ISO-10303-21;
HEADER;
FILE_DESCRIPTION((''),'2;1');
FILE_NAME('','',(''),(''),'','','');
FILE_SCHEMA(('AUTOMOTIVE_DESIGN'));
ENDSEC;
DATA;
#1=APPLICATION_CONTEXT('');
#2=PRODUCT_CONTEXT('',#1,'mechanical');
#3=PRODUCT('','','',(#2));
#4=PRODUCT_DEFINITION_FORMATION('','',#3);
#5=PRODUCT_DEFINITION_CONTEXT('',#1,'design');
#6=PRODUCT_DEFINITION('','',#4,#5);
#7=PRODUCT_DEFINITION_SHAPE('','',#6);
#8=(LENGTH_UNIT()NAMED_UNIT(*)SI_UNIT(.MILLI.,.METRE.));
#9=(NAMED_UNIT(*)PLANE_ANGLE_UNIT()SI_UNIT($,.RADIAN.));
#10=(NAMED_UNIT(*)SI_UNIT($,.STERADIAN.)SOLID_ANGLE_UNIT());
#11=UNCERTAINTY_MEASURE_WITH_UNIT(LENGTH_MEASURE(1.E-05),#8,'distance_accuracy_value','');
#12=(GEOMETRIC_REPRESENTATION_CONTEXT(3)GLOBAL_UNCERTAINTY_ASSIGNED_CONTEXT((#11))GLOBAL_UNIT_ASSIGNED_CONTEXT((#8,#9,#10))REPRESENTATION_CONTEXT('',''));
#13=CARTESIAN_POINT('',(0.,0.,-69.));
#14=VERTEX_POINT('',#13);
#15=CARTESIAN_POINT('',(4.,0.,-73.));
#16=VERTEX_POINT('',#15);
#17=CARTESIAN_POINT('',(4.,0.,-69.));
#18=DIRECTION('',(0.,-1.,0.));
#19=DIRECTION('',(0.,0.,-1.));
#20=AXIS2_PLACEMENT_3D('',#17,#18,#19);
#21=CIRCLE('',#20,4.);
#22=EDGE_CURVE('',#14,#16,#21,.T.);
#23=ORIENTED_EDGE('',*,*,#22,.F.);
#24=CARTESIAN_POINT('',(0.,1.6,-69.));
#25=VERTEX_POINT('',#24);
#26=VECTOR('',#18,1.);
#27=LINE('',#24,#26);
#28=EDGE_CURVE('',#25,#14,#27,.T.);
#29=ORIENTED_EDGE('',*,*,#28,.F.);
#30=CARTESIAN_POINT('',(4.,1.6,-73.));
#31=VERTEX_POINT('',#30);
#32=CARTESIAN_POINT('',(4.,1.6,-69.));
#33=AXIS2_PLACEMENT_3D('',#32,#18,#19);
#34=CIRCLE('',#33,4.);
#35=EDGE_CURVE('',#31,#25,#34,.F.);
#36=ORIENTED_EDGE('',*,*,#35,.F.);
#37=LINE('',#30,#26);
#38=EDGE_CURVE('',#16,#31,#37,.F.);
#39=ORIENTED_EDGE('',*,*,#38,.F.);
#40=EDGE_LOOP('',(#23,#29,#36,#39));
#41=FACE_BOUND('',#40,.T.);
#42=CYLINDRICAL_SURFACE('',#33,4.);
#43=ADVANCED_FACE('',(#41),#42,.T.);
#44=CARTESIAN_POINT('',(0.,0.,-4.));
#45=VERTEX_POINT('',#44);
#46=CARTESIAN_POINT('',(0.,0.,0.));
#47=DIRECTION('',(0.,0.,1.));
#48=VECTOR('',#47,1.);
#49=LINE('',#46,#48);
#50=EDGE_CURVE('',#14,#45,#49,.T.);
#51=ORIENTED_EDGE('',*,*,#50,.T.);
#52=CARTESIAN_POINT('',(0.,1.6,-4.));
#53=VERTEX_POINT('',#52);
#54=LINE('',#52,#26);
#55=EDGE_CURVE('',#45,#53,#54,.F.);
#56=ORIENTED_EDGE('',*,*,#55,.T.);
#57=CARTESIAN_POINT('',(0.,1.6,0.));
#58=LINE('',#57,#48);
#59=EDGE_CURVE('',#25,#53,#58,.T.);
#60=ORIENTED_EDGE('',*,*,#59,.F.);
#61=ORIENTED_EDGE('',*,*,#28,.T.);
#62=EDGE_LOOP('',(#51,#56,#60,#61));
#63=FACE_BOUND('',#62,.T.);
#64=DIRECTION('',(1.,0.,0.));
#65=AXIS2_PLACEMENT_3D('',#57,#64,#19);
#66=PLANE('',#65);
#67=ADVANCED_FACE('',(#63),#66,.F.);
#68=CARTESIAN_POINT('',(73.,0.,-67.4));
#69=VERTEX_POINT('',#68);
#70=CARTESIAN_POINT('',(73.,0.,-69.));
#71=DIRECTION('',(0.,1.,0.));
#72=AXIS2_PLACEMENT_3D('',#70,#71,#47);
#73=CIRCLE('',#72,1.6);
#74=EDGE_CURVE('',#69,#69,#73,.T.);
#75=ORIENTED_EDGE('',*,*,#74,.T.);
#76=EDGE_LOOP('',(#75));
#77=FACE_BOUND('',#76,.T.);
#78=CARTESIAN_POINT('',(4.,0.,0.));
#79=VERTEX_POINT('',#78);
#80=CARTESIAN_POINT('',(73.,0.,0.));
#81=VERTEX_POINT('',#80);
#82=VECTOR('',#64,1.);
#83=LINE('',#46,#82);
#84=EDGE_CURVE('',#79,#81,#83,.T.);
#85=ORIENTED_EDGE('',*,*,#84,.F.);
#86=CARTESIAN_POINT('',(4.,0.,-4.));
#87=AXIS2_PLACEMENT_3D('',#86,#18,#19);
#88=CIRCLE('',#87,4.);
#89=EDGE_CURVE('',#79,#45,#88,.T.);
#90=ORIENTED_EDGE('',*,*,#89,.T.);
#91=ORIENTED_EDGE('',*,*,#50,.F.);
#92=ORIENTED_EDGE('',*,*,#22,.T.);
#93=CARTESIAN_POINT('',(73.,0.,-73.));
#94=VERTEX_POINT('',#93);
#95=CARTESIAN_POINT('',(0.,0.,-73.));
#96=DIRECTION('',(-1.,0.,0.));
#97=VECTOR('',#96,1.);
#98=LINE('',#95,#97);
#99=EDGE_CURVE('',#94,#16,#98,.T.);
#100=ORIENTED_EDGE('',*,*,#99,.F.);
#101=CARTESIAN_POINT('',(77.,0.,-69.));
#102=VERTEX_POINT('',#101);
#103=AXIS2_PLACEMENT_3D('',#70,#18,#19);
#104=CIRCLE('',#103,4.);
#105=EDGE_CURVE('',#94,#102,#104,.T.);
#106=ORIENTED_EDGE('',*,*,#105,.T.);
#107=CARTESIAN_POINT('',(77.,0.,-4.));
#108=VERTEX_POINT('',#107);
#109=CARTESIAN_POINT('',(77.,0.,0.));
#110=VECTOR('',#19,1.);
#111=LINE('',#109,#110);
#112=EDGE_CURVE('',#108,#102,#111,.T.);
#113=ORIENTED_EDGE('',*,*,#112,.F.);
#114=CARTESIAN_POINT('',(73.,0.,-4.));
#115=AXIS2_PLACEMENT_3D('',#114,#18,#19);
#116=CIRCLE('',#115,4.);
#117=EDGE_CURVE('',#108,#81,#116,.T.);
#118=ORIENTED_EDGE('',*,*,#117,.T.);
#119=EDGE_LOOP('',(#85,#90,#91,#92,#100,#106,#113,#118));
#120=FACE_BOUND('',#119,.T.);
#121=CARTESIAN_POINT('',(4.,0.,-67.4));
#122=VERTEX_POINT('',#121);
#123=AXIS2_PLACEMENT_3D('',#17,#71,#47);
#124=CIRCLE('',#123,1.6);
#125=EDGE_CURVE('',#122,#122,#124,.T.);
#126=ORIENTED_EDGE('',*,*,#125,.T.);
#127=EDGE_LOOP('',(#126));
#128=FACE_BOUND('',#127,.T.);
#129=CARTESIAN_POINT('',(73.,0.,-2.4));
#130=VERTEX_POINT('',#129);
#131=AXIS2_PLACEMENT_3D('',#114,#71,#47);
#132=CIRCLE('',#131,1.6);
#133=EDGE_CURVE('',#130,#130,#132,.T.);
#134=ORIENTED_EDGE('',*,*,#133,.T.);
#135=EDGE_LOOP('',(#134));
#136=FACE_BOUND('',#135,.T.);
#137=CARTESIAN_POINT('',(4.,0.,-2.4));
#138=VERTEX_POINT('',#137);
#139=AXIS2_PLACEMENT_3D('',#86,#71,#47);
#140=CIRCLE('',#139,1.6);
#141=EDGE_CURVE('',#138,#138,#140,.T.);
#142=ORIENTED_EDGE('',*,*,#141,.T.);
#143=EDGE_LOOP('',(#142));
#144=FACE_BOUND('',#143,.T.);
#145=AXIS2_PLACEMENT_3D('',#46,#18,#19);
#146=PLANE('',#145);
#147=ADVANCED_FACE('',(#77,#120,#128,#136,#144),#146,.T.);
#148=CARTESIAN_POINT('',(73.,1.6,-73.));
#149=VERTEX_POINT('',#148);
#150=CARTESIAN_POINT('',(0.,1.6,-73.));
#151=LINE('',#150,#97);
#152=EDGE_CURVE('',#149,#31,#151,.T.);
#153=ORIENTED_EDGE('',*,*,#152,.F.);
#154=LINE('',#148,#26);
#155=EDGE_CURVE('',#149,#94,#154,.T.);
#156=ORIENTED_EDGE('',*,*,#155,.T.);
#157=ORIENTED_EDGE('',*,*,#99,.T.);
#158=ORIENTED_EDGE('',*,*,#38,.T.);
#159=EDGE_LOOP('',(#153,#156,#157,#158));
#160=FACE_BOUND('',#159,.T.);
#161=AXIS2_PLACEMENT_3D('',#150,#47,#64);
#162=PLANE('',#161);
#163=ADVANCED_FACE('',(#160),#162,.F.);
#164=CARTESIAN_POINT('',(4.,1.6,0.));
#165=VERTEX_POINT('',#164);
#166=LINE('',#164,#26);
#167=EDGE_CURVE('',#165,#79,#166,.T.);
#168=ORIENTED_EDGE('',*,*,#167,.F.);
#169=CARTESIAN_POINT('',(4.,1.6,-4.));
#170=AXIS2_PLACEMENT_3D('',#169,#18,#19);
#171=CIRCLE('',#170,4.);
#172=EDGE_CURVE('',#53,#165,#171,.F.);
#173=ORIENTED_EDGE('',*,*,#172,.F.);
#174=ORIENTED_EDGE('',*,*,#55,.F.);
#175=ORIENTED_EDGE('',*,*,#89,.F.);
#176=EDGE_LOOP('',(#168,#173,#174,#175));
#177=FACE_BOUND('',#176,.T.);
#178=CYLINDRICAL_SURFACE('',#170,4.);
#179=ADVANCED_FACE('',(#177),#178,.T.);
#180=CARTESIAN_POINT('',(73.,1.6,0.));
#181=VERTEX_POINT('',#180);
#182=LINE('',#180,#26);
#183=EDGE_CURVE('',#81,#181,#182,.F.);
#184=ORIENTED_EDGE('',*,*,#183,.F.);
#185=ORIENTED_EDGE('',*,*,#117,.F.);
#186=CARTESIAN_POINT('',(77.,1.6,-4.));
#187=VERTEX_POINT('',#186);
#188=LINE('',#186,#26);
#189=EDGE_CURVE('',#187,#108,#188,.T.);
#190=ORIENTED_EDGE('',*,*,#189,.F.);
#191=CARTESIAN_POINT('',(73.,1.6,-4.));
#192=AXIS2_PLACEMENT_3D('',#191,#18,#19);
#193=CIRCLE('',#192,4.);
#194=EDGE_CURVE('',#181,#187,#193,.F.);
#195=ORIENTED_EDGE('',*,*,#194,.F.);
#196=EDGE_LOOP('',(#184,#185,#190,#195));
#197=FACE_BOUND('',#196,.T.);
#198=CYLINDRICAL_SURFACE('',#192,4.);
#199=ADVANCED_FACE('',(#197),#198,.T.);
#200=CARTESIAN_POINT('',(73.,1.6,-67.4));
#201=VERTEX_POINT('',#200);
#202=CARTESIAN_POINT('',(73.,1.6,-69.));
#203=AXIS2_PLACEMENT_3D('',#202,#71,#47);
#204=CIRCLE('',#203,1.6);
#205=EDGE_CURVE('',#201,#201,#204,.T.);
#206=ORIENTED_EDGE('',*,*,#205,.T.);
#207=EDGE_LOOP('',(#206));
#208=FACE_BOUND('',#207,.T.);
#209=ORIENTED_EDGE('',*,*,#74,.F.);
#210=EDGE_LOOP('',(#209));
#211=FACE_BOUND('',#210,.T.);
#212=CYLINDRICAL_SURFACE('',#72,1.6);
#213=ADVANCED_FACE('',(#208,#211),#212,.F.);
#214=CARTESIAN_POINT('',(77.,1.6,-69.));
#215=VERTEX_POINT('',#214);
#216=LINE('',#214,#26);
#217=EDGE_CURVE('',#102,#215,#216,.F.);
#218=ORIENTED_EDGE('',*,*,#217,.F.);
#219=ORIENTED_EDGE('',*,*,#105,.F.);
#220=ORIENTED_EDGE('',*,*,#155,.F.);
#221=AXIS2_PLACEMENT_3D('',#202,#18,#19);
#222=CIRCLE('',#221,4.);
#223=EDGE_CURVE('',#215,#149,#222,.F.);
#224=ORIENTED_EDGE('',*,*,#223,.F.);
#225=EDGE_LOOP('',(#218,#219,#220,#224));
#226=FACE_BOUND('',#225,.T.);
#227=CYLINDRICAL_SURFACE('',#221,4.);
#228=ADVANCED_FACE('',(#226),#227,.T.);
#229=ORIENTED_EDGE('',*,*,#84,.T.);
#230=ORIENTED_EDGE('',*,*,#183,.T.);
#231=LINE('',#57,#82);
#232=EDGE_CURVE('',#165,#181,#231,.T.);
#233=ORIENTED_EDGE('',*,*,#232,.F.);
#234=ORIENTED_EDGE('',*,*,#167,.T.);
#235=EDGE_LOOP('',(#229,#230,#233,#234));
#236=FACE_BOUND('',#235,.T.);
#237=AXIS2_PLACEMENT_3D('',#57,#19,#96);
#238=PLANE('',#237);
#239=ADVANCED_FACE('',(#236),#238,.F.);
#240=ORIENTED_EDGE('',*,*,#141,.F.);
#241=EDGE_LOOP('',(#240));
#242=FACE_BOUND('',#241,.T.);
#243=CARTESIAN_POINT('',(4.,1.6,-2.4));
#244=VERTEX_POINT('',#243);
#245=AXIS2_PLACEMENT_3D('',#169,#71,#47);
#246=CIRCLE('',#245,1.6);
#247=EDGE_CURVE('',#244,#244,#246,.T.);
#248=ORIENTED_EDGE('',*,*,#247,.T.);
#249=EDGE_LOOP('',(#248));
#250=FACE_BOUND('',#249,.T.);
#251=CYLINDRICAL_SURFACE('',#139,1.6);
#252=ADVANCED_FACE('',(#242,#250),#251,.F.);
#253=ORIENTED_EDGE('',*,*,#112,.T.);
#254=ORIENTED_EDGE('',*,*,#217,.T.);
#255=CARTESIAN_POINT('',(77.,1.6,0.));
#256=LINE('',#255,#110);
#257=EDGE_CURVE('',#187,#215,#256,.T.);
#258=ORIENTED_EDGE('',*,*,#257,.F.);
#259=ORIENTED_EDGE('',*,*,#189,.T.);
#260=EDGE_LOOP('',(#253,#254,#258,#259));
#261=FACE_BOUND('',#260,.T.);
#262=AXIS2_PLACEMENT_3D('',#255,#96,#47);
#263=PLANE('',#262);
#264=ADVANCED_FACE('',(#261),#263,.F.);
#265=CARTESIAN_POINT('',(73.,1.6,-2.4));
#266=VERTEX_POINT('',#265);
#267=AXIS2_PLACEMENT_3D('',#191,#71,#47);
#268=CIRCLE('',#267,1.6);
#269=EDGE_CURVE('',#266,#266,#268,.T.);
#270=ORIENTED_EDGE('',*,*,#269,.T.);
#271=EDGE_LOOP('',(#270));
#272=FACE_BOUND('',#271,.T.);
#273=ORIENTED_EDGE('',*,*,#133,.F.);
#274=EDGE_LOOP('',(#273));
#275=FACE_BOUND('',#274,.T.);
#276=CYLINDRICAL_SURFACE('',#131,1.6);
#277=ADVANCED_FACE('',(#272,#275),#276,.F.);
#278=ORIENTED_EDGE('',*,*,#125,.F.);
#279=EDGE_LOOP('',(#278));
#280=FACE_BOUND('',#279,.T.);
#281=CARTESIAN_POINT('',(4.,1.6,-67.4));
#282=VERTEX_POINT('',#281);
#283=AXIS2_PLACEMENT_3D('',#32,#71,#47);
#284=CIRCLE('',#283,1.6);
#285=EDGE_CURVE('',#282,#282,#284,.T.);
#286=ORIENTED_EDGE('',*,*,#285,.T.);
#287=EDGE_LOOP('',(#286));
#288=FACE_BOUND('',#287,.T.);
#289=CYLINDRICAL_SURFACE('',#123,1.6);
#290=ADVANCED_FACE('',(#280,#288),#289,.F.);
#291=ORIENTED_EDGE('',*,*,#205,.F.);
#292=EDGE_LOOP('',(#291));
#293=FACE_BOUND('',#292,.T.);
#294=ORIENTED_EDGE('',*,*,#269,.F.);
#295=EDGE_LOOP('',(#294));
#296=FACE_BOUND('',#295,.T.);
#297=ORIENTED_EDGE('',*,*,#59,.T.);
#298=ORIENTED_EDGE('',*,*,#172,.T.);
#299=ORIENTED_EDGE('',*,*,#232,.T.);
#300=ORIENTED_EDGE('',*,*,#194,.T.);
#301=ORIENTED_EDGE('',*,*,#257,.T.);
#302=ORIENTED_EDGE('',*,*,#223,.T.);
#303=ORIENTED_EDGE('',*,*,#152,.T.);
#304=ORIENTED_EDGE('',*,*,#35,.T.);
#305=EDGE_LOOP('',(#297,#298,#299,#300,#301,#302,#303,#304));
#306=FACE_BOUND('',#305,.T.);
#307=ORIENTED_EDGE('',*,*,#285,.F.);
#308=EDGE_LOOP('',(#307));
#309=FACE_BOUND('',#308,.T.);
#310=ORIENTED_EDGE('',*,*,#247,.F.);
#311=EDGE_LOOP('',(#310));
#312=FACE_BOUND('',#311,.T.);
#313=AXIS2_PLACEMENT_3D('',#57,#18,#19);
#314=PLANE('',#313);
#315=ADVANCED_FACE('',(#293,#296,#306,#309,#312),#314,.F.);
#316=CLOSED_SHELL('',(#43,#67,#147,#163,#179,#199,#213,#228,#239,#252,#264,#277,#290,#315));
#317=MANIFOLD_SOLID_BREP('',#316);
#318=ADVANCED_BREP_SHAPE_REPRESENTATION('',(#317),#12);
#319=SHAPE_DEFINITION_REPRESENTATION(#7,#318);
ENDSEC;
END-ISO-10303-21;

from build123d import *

# Parameters (mm, degrees)
SKETCH1_W           = 77
SKETCH1_H           = 73
BOSS_EXTRUDE1_DEPTH = 1.6
FILLET1_R           = 4
SKETCH3_R           = 1.6
CUT_EXTRUDE1_DEPTH  = 1.6


with BuildPart() as part:
    # Sketch1 → Boss-Extrude1 (new body)
    with BuildSketch(Plane(origin=(0, 0, 0), x_dir=(1, 0, 0), z_dir=(0, 1, 0))):
        with Locations((38.5, 36.5)):
            Rectangle(SKETCH1_W, SKETCH1_H)
    extrude(amount=BOSS_EXTRUDE1_DEPTH)

    # Fillet1
    fillet1_edges = [part.edges().sort_by_distance(p)[0] for p in [
        (0, 0.8, -73),
        (77, 0.8, -73),
        (77, 0.8, 0),
        (0, 0.8, 0),
    ]]
    fillet(fillet1_edges, radius=FILLET1_R)

    # Sketch3 → Cut-Extrude1 (cut)
    with BuildSketch(Plane(origin=(0, 1.6, 0), x_dir=(1, 0, 0), z_dir=(0, 1, 0))):
        with Locations(Location((4, 69, 0), (0, 0, 270))):
            Circle(SKETCH3_R)
        with Locations(Location((73, 69, 0), (0, 0, 270))):
            Circle(SKETCH3_R)
        with Locations(Location((73, 4, 0), (0, 0, 270))):
            Circle(SKETCH3_R)
        with Locations(Location((4, 4, 0), (0, 0, 270))):
            Circle(SKETCH3_R)
    extrude(amount=-CUT_EXTRUDE1_DEPTH, mode=Mode.SUBTRACT)


solid = part.part
